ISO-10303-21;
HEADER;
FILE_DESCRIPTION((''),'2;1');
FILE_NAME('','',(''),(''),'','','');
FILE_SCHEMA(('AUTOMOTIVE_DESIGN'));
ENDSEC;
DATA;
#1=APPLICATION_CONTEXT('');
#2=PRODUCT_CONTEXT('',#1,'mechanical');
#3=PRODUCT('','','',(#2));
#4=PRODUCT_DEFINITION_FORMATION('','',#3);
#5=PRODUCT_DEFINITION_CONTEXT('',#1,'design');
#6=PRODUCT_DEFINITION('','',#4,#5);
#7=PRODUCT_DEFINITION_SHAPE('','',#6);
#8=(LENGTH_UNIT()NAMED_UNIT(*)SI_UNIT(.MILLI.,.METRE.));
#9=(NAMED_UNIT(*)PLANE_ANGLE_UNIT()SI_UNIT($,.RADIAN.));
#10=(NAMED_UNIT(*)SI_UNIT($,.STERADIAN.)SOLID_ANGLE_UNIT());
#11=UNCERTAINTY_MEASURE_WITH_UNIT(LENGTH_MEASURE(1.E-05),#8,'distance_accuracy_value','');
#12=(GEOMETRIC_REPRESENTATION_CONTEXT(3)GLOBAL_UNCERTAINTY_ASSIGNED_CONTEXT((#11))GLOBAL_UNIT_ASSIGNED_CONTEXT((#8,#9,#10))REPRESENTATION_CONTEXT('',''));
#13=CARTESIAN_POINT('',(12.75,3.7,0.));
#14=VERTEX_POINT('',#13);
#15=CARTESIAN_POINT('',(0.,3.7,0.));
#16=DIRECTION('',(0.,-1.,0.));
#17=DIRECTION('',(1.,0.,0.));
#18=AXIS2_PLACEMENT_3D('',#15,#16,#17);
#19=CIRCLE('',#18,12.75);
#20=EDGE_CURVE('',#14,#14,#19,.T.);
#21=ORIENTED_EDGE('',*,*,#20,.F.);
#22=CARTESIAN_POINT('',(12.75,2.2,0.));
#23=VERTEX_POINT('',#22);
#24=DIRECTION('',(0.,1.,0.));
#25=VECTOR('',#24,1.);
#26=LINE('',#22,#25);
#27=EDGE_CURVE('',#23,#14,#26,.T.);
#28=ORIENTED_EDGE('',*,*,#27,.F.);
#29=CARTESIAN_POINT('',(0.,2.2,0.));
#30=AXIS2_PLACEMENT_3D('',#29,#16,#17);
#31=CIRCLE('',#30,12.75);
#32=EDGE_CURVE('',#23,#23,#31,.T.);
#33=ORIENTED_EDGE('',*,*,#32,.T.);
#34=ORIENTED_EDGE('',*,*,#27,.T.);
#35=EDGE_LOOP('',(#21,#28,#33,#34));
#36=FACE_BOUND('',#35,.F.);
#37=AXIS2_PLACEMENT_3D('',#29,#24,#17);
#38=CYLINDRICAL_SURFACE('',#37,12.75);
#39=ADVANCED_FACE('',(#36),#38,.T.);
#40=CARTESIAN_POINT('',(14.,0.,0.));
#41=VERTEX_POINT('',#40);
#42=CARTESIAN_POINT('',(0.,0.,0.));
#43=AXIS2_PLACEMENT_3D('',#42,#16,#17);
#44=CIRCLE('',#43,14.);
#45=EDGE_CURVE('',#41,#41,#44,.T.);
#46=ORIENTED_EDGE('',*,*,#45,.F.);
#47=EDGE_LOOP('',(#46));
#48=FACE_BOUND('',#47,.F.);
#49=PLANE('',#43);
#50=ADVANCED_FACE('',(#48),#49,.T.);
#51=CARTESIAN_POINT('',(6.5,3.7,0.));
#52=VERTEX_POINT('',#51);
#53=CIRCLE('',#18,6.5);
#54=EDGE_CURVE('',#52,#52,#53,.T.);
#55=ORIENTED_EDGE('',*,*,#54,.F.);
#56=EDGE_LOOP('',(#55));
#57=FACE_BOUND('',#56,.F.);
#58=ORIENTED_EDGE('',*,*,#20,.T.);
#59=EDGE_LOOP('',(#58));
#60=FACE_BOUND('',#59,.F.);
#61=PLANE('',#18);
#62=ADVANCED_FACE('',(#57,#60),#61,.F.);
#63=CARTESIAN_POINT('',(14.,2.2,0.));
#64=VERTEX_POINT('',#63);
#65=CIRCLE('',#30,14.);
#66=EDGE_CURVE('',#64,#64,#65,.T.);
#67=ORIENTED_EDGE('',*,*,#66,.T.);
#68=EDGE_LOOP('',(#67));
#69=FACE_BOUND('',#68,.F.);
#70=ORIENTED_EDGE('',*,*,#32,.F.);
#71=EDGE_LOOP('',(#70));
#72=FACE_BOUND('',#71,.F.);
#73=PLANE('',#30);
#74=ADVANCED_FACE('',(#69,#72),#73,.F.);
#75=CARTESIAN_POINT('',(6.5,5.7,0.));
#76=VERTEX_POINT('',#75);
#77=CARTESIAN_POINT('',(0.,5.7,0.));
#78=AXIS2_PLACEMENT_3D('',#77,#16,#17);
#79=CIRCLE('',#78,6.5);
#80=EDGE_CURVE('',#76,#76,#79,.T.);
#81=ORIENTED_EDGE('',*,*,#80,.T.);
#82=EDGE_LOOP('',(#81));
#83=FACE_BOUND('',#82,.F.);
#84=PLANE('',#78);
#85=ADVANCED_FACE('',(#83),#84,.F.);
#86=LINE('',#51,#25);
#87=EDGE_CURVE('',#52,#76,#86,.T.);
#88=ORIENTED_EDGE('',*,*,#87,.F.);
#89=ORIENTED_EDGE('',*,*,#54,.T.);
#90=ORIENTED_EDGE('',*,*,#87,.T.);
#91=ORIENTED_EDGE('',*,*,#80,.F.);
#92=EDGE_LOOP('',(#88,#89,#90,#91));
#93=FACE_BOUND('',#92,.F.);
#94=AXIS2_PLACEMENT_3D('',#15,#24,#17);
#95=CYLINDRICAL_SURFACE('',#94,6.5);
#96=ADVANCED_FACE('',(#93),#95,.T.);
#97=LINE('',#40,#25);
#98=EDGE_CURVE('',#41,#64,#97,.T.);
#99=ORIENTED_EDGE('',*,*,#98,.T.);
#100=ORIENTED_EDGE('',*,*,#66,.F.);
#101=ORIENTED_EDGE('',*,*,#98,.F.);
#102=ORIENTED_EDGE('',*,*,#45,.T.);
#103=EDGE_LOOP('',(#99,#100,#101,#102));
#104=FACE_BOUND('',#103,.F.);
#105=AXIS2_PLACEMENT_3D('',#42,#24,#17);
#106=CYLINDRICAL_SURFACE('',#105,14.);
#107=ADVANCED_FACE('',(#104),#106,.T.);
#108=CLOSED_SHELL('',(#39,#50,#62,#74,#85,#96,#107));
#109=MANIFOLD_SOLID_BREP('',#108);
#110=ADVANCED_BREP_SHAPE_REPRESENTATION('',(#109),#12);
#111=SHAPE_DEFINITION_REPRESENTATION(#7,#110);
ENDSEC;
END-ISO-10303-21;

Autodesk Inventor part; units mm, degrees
ref_plane "YZ Plane" through (0, 0, 0) normal (1, 0, 0) x (0, 1, 0)
ref_plane "XZ Plane" through (0, 0, 0) normal (0, 1, 0) x (-1, 0, 0)
ref_plane "XY Plane" through (0, 0, 0) normal (0, 0, 1) x (1, 0, 0)
sketch "스케치1" plane through (0, 0, 0) normal (0, 0, 1) x (1, 0, 0)
  line L0 (0, 0) -> (14, 0)
  line L1 (14, 0) -> (14, 2.2)
  line L2 (14, 2.2) -> (12.75, 2.2)
  line L3 (12.75, 2.2) -> (12.75, 3.7)
  line L4 (12.75, 3.7) -> (6.5, 3.7)
  line L5 (6.5, 3.7) -> (6.5, 5.7)
  line L6 (6.5, 5.7) -> (0, 5.7)
  line L7 (0, 8.3) -> (0, 0)
  dimension "d0" = 28
  dimension "d1" = 25.5
  dimension "d2" = 13
  dimension "d4" = 2.2
  dimension "d5" = 1.5
  dimension "d6" = 2
revolve "회전1" add sketch "스케치1" angle 360 about axis through (0, 8.3, 0) along (0, -1, 0)
properties part number "스피커"
